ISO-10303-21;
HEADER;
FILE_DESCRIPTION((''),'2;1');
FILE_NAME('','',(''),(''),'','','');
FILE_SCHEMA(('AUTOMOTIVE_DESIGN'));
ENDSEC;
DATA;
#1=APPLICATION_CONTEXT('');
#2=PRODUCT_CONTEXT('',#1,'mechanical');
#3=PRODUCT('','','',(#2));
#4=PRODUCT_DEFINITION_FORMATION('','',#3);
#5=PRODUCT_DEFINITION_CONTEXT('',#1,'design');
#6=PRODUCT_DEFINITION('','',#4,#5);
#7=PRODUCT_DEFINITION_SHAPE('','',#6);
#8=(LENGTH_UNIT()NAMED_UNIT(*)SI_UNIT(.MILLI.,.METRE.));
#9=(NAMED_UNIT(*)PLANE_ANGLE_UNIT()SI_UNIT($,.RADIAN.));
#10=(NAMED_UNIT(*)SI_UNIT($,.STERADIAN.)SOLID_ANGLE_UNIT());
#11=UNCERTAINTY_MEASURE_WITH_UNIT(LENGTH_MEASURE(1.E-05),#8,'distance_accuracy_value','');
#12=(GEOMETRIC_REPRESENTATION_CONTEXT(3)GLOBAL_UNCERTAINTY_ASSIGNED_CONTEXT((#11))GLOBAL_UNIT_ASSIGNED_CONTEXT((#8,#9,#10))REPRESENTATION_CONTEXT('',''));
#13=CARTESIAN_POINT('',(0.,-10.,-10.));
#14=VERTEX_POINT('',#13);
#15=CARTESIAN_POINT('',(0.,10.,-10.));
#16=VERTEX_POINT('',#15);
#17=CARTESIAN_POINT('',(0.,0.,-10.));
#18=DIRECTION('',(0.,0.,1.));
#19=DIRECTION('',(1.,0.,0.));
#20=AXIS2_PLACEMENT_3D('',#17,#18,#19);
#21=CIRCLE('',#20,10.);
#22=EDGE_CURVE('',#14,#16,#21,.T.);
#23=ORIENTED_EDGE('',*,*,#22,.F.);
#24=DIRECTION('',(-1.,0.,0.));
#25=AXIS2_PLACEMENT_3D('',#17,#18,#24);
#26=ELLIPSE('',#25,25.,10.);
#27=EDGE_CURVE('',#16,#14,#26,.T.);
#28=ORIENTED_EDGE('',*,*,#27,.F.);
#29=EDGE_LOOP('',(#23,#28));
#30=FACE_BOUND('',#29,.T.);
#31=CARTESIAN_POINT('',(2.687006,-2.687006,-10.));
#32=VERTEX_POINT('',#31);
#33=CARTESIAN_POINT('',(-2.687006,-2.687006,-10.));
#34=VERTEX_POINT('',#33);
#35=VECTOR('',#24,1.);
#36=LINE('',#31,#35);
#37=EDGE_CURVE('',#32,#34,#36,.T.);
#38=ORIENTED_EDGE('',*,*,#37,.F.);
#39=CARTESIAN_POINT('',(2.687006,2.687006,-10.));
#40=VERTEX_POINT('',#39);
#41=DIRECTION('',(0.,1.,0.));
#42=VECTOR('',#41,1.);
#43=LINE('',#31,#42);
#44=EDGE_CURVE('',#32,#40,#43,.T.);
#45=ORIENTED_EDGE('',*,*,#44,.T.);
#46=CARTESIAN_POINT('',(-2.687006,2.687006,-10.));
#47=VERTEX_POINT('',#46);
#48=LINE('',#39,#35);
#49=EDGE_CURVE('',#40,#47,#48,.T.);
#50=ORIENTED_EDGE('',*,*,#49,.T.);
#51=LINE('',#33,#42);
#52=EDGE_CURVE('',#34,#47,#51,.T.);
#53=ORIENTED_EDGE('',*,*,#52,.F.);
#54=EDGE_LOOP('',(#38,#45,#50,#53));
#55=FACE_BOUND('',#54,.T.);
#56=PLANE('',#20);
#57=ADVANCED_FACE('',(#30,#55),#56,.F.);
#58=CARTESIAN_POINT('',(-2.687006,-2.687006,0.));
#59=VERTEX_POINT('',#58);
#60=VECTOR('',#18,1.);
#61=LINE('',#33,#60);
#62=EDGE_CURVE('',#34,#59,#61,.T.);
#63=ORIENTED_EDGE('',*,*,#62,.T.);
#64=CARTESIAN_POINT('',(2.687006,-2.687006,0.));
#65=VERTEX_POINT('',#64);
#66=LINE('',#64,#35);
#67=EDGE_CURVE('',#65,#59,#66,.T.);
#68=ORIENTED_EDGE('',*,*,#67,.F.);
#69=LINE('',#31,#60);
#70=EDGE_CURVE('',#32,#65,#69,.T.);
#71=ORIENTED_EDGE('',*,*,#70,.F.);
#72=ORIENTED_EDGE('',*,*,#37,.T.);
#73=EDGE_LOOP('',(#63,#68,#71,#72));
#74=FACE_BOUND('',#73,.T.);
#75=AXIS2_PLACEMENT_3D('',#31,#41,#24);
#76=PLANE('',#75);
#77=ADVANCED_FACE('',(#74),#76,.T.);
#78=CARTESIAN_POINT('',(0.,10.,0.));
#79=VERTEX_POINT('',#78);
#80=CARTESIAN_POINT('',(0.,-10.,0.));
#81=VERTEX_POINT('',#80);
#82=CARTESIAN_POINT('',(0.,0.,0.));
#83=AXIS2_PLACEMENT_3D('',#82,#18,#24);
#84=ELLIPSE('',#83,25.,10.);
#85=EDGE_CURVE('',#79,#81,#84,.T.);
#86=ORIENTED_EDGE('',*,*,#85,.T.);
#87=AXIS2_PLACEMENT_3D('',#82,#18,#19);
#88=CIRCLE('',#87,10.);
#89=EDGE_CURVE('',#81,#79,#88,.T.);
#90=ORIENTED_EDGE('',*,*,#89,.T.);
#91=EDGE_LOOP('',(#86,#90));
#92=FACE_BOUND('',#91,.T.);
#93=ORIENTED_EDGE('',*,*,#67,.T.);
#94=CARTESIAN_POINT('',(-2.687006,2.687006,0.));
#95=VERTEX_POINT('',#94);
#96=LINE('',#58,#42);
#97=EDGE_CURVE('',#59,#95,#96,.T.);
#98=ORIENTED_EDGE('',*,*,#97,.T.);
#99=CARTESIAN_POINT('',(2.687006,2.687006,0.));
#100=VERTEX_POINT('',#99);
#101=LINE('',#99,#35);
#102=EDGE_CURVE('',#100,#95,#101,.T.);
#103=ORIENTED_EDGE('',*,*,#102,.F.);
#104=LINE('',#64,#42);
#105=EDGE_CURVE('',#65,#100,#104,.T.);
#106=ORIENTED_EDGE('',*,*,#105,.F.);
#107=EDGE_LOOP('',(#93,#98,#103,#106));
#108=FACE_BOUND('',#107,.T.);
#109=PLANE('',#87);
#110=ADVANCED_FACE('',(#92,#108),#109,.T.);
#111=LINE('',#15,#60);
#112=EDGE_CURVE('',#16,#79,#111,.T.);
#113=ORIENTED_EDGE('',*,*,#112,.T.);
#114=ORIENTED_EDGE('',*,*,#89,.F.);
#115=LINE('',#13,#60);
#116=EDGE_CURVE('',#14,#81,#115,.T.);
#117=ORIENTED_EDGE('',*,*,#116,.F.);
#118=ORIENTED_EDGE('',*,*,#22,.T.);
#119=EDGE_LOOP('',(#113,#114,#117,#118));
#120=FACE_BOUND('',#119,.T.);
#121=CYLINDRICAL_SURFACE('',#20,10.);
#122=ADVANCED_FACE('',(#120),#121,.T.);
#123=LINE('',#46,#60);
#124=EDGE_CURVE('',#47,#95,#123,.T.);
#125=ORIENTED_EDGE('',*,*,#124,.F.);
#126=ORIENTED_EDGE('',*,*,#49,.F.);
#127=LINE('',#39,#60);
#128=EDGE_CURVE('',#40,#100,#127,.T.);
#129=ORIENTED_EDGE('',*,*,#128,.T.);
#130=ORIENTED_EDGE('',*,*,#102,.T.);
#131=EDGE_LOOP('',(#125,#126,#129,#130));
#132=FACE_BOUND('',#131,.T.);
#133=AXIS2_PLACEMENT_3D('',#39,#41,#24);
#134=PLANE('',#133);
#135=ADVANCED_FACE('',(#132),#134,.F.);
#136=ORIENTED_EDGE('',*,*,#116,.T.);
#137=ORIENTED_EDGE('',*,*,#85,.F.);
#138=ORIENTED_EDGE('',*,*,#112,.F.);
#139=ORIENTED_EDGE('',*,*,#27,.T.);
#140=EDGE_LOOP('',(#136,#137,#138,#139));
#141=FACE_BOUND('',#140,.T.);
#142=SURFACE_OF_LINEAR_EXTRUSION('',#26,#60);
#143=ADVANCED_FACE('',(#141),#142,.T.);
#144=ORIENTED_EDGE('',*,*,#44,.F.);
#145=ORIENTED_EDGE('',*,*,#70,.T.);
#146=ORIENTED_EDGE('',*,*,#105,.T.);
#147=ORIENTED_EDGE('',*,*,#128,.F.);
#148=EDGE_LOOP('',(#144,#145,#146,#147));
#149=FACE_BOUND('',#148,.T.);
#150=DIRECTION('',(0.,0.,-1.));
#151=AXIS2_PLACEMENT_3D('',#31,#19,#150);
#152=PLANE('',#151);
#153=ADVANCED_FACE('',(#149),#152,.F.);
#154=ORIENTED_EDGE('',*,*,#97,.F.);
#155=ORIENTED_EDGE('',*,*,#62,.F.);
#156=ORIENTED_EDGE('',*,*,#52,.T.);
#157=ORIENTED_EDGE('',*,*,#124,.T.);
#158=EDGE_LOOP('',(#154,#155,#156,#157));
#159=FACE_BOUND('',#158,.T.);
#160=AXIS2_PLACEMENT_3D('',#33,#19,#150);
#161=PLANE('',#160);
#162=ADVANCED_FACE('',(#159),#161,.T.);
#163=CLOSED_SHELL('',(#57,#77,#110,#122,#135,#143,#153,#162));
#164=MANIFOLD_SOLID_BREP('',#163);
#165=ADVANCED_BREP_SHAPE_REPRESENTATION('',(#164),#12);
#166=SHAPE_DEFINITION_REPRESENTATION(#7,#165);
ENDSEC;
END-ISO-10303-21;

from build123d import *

# Parameters (mm, degrees)
BOSS_EXTRUDE5_DEPTH = 10
SKETCH3_W           = 5.374011538
SKETCH3_H           = 5.374011538
CUT_EXTRUDE2_DEPTH  = 29.722813389


with BuildPart() as part:
    # Sketch5 → Boss-Extrude5 (new body)
    with BuildSketch(Plane.XY):
        with BuildLine():
            Line((0, 0), (-25, 0))
            add(Edge.make_bspline(
                [(0, 10), (-25, 10), (-25, 0)],
                knots=[4.71238898, 4.71238898, 4.71238898, 6.283185307, 6.283185307, 6.283185307], degree=2, weights=[1, 0.707106781, 1]))
            ThreePointArc((0, 10), (7.071067812, 7.071067812), (10, 0))
            Line((10, 0), (0, 0))
        make_face()
    extrude(amount=-BOSS_EXTRUDE5_DEPTH)

    # Mirror2: part across plane


with BuildPart() as part_1:
    add(part.part)
    add(part.part.mirror(Plane(origin=(0, 0, -10), x_dir=(0, 0, 1), z_dir=(0, -1, 0))))

    # Sketch3 → Cut-Extrude2 (cut, through all)
    with BuildSketch(Plane.XY):
        Rectangle(SKETCH3_W, SKETCH3_H)
    extrude(amount=-CUT_EXTRUDE2_DEPTH, mode=Mode.SUBTRACT)


solid = part_1.part
